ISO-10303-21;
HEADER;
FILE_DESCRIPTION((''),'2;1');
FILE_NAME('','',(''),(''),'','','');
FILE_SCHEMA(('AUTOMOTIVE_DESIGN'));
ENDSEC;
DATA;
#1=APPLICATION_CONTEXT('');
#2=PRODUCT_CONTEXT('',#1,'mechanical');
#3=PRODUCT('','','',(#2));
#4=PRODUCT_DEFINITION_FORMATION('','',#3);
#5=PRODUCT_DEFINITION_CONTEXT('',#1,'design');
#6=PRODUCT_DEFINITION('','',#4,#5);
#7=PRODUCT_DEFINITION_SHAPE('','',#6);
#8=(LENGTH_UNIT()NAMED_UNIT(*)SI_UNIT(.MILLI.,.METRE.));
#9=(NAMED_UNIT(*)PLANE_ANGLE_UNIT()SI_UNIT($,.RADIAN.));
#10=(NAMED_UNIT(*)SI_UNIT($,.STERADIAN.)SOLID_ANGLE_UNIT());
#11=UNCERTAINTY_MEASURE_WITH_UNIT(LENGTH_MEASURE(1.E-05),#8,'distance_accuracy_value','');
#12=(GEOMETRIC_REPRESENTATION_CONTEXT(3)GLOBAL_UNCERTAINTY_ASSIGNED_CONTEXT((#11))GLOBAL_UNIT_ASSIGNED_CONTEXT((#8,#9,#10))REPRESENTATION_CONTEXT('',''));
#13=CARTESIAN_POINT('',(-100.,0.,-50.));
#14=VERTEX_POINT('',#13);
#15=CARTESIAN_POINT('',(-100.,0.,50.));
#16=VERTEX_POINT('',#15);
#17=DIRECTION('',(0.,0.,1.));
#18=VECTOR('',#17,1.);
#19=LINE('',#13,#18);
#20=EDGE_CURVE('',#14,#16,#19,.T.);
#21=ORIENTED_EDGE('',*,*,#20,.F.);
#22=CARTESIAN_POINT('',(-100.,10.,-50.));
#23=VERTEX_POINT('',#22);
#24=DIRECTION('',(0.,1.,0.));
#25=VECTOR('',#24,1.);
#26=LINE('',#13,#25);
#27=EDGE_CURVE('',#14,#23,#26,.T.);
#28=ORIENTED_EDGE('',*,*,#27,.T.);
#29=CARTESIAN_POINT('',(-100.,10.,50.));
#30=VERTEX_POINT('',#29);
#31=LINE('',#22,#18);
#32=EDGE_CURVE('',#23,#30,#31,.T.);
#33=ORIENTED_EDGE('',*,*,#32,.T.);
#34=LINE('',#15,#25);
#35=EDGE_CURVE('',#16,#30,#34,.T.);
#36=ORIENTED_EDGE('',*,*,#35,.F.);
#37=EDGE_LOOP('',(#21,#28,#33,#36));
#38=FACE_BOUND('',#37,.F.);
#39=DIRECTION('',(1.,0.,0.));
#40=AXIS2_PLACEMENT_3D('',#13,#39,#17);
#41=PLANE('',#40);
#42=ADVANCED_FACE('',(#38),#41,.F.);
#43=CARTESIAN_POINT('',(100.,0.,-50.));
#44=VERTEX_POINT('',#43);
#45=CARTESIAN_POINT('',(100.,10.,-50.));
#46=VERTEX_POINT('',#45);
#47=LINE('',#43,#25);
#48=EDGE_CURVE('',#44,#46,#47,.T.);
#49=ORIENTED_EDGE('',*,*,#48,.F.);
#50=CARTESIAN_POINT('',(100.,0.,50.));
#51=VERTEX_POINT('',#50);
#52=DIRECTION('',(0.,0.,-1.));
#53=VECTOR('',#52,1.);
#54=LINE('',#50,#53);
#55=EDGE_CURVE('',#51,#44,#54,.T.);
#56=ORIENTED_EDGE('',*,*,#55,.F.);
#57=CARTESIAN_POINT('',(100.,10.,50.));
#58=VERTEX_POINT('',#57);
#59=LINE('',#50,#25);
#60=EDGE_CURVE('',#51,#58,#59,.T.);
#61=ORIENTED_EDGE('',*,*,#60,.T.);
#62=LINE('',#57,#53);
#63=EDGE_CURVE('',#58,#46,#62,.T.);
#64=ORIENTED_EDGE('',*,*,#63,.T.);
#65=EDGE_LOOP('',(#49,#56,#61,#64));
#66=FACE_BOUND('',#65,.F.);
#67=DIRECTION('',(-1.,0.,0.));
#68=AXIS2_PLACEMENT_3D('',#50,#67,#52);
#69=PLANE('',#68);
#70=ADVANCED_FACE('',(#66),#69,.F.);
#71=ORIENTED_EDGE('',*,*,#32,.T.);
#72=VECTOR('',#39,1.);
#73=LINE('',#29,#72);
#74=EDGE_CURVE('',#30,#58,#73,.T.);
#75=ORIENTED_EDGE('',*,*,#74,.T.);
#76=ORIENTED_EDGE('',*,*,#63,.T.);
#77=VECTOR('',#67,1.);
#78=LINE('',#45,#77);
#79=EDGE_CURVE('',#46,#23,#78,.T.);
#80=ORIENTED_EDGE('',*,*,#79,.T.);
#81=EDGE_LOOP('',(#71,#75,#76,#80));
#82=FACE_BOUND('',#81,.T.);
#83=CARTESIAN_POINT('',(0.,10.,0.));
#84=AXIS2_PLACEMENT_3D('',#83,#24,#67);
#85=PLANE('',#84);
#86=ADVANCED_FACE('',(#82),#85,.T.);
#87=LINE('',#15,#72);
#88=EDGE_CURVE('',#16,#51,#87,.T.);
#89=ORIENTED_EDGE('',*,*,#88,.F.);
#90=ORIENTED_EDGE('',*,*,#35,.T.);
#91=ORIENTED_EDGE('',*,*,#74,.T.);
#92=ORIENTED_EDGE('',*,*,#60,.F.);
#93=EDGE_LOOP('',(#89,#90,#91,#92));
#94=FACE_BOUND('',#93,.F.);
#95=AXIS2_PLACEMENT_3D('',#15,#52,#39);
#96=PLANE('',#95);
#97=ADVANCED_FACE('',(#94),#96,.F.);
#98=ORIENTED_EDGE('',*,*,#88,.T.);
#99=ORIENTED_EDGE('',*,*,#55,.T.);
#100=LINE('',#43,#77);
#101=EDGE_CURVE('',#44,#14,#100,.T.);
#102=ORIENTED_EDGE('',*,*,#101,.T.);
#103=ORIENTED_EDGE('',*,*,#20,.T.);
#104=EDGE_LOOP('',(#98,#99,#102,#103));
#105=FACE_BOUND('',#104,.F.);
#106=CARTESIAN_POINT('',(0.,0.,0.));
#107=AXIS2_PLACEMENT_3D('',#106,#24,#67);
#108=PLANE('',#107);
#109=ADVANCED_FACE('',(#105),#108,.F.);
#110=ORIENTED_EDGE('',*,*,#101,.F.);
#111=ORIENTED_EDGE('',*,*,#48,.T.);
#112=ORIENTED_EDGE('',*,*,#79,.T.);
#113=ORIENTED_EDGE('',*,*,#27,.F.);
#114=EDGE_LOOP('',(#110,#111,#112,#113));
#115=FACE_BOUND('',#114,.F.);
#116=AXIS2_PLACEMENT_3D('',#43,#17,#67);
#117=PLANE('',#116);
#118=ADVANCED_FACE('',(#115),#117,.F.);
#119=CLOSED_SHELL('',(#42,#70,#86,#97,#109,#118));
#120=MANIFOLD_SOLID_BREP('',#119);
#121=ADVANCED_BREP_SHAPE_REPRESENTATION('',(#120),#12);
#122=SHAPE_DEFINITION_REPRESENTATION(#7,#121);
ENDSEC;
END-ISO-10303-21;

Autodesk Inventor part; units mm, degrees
ref_plane "YZ Plane" through (0, 0, 0) normal (1, 0, 0) x (0, 1, 0)
ref_plane "XZ Plane" through (0, 0, 0) normal (0, 1, 0) x (-1, 0, 0)
ref_plane "XY Plane" through (0, 0, 0) normal (0, 0, 1) x (1, 0, 0)
sketch "草图1" plane through (0, 0, 0) normal (0, 1, 0) x (-1, 0, 0)
  line L0 (100, 50) -> (-100, 50)
  line L1 (-100, 50) -> (-100, -50)
  line L2 (-100, -50) -> (100, -50)
  line L3 (100, -50) -> (100, 50)
  line L4 (100, 50) -> (-100, -50) construction
  line L5 (-100, 50) -> (100, -50) construction
  point P0 (0, 0)
  dimension "d0" = 200
  dimension "d1" = 100
extrude "拉伸1" add sketch "草图1" along normal blind 10
properties part number "外置架" material "聚乙烯，低密度"
